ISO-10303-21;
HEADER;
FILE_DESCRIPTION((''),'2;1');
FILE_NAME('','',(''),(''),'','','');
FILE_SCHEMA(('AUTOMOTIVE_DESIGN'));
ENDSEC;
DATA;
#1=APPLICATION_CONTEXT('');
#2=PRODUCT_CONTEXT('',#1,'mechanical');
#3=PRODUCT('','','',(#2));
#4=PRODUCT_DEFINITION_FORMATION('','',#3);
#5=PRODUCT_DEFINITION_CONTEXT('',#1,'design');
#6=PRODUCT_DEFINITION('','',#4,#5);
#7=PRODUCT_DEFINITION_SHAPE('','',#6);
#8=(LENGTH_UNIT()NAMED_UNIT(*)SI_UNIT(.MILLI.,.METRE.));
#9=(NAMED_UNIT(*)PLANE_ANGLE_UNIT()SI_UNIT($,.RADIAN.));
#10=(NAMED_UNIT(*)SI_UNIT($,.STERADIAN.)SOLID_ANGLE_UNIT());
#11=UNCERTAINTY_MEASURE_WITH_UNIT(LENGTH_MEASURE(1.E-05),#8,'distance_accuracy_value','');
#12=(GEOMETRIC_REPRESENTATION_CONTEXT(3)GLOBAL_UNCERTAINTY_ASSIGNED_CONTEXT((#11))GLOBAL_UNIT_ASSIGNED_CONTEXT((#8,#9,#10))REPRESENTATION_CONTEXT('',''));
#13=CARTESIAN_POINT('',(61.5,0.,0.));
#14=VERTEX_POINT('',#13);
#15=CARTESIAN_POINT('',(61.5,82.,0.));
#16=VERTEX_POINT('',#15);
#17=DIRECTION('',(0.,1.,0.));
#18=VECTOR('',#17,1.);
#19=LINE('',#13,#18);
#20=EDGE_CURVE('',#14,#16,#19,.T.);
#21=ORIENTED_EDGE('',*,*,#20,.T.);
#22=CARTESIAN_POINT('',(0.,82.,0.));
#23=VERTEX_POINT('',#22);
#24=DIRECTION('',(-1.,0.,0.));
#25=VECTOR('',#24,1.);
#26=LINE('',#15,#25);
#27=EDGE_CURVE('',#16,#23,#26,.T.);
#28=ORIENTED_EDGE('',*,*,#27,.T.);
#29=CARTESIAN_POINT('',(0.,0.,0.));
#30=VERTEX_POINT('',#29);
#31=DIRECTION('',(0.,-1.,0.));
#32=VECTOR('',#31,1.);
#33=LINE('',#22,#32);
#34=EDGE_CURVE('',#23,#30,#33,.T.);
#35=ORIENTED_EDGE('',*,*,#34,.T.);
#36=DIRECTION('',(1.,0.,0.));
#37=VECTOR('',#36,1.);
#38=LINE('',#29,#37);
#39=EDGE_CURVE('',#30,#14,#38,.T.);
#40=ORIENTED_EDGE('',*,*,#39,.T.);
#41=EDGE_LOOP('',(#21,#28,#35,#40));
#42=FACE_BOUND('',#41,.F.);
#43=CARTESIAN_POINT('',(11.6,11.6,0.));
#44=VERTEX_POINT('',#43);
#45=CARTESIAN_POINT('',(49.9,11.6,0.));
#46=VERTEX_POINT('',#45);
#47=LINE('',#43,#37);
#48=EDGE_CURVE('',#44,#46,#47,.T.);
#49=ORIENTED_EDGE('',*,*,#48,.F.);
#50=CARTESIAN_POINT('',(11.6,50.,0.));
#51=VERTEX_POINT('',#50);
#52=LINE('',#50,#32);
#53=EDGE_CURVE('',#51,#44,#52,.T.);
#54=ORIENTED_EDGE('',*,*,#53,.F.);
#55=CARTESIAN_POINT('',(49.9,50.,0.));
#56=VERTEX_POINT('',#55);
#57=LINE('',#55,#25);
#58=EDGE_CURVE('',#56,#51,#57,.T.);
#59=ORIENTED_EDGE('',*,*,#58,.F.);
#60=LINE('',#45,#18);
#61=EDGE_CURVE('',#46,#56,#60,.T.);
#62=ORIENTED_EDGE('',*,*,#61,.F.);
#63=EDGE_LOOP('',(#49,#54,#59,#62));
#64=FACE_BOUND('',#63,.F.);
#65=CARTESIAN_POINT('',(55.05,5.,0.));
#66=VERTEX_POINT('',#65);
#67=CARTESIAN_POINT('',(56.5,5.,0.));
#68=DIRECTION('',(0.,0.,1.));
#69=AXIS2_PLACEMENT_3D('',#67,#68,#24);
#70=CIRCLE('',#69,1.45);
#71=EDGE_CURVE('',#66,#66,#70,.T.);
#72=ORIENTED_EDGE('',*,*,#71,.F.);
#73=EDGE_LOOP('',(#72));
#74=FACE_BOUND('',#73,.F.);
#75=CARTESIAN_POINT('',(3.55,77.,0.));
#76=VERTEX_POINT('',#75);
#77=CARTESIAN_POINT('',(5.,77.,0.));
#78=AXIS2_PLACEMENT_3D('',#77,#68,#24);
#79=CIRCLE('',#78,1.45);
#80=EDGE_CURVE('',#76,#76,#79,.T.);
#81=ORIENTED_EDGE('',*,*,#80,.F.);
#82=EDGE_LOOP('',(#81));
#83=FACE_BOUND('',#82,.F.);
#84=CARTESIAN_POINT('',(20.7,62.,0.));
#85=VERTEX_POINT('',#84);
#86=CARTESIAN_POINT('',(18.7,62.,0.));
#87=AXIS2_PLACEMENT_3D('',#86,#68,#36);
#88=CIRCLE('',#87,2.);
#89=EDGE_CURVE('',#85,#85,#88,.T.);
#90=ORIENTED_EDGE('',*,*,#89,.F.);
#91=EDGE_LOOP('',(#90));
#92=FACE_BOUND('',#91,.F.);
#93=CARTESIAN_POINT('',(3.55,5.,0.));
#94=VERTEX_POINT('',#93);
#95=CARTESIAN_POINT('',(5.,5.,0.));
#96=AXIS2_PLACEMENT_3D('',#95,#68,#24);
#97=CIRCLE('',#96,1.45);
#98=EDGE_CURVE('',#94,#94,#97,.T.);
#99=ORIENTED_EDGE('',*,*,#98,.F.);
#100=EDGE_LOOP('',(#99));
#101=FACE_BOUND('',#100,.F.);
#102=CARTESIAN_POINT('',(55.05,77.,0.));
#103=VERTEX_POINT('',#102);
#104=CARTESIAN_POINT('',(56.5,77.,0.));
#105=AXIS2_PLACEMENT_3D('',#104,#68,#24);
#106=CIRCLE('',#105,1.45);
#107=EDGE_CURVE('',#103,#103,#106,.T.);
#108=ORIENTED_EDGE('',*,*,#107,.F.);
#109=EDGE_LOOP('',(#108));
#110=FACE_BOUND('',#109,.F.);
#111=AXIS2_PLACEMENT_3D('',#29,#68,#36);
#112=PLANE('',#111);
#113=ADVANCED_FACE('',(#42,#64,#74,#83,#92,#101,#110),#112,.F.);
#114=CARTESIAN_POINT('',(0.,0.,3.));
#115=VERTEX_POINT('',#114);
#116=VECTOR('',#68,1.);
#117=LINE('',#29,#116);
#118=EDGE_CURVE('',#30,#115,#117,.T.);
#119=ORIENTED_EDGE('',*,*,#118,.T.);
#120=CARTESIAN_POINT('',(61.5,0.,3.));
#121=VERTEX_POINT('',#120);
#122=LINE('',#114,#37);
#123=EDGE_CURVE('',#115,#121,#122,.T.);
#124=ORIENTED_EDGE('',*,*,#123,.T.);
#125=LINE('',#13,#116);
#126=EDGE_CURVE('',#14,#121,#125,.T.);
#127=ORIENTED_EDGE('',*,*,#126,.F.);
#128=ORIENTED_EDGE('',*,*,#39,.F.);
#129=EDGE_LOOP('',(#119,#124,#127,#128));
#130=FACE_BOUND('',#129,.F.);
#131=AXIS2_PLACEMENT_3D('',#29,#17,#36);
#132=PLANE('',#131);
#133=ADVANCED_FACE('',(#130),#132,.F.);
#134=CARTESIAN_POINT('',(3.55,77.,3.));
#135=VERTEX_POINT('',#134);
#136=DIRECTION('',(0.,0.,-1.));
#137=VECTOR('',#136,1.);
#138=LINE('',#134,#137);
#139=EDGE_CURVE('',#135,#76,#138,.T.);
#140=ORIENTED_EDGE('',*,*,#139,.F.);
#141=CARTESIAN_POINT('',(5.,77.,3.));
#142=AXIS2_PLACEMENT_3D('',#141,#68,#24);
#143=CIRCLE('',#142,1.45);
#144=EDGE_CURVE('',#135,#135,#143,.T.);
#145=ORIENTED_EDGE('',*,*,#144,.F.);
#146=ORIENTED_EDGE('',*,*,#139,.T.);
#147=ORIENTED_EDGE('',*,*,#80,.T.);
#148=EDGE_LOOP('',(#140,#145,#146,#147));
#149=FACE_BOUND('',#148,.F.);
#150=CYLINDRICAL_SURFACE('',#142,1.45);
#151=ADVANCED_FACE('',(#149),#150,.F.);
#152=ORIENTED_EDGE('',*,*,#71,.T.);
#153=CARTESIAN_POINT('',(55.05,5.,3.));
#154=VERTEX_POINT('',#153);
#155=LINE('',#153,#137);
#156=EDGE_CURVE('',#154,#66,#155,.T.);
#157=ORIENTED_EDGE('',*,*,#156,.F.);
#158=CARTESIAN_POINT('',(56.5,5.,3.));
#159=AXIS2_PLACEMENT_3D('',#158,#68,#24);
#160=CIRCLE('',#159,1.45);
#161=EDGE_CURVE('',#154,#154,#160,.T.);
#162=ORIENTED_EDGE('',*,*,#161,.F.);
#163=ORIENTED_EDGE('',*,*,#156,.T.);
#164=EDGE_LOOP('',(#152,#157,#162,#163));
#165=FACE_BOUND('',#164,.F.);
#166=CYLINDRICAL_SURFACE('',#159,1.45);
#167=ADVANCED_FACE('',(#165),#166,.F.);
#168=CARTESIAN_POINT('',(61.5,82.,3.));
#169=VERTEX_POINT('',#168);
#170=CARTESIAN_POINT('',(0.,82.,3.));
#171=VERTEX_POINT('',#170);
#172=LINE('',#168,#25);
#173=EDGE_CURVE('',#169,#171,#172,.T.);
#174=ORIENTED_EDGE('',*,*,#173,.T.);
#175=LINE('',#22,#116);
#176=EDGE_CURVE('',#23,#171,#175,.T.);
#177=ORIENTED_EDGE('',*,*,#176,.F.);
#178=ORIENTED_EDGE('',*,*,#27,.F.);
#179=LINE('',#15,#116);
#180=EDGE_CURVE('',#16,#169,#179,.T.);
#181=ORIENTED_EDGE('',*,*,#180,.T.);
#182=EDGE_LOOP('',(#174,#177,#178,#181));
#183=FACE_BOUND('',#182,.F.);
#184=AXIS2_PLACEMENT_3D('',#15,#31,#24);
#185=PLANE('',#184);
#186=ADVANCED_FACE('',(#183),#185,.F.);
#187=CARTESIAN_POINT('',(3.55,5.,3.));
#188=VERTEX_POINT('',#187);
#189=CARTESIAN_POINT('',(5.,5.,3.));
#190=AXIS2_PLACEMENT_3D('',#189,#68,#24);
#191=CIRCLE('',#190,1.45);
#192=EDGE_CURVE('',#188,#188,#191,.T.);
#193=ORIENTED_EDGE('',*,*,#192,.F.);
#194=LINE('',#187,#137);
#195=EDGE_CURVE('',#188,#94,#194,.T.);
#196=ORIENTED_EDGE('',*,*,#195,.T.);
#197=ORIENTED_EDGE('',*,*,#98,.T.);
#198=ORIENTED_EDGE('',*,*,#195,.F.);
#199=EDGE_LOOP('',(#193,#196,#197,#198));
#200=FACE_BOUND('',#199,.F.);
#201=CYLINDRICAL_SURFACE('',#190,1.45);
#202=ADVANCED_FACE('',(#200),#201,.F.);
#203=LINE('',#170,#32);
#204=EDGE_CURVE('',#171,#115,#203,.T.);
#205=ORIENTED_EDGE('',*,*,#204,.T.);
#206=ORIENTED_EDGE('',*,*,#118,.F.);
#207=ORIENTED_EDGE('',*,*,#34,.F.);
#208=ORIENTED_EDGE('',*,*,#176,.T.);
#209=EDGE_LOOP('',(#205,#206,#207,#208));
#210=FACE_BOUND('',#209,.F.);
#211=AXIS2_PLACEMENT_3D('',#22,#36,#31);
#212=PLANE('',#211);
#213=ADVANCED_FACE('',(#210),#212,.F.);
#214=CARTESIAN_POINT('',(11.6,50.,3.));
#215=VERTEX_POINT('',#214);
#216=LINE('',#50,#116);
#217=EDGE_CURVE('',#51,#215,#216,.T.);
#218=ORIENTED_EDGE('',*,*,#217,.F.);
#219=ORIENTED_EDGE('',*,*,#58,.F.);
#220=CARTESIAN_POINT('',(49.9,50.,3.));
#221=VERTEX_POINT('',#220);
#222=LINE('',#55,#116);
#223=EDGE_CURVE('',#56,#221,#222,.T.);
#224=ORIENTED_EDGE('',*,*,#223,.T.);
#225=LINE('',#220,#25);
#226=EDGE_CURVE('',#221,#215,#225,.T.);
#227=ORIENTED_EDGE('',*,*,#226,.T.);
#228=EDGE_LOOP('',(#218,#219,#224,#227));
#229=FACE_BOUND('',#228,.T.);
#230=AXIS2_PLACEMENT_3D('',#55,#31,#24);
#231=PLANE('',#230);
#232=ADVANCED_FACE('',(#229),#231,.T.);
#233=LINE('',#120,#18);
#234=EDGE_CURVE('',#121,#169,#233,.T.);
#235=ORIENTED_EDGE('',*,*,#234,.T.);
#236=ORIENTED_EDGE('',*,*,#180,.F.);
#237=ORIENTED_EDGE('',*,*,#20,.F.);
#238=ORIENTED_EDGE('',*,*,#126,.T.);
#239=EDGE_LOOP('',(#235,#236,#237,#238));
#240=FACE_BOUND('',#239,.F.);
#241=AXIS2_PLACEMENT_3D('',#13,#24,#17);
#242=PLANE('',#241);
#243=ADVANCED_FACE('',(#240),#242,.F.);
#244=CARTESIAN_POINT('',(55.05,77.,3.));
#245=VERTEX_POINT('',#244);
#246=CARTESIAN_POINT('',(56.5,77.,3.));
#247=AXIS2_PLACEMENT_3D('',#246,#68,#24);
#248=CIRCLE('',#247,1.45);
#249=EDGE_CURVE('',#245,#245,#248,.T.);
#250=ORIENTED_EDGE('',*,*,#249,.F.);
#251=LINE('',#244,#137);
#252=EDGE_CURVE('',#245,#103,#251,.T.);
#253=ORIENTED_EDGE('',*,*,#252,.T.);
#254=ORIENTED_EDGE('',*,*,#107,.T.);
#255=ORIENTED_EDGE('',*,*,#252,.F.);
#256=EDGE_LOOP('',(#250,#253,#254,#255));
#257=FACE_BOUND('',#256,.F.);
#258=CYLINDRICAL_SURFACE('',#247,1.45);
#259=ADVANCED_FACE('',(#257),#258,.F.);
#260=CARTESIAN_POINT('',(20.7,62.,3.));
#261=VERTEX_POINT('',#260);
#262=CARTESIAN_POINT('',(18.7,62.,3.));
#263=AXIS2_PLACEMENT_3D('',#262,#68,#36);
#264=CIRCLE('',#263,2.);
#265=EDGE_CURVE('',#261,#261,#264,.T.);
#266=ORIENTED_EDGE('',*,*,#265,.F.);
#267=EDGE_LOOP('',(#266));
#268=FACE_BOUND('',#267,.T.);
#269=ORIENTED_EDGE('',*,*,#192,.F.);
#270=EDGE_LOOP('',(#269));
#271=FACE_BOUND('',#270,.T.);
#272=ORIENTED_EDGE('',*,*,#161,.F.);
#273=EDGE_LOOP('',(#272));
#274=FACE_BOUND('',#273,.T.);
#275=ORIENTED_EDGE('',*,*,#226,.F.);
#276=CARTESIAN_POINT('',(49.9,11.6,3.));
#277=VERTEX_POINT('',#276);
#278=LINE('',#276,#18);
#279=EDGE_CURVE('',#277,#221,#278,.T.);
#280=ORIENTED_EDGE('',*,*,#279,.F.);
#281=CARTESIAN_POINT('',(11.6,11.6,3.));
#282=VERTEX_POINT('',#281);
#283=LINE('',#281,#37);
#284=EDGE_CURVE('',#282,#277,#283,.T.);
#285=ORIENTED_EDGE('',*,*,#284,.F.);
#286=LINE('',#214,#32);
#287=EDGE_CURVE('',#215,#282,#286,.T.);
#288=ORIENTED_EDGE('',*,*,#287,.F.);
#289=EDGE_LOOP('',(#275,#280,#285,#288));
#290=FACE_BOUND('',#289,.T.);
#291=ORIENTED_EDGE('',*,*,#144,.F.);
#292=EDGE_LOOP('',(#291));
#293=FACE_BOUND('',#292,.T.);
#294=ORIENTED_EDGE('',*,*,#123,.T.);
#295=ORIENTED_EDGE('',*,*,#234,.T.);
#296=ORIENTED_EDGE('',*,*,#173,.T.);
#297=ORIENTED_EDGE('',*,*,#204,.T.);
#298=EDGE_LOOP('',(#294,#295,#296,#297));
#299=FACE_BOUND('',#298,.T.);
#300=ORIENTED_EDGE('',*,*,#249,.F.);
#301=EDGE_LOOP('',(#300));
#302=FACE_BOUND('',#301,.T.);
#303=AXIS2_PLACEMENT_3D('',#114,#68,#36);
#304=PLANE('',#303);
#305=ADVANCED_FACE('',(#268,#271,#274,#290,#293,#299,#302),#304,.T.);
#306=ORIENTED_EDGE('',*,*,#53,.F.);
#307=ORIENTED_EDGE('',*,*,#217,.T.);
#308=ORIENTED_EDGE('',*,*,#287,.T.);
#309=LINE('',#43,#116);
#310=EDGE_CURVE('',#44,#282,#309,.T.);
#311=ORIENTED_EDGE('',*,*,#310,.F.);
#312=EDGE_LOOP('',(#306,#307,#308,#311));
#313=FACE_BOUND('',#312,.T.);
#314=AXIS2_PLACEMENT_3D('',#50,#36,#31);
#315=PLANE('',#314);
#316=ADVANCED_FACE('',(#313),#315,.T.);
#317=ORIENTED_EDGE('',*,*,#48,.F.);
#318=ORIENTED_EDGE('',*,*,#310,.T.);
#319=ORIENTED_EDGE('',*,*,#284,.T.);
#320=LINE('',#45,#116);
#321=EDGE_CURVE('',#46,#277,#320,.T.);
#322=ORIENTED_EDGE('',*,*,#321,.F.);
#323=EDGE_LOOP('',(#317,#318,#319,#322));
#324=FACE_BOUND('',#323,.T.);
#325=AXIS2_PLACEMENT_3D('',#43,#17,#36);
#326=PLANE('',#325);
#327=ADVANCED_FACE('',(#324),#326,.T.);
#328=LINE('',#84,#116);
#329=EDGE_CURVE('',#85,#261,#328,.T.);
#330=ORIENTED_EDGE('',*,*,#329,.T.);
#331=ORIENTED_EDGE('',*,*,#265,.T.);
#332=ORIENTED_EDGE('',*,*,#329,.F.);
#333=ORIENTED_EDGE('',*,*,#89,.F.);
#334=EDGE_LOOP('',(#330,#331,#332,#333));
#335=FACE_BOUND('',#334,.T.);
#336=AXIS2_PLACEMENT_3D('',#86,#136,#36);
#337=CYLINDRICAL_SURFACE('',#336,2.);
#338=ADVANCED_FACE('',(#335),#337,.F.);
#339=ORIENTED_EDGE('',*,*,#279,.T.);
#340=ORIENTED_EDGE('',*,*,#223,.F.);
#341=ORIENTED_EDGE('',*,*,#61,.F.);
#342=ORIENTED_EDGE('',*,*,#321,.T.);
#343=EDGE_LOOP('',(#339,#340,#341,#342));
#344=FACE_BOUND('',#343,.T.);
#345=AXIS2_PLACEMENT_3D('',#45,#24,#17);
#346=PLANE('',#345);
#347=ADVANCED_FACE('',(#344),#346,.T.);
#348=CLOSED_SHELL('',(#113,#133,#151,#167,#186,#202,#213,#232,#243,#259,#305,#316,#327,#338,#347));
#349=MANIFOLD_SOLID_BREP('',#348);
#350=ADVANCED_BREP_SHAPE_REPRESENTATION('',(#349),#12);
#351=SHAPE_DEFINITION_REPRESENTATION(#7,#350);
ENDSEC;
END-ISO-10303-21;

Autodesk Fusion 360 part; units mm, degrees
sketch "Sketch1" plane through (0, 0, 0) normal (0, 0, 1) x (1, 0, 0)
  line L0 (0, 0) -> (61.5, 0)
  line L1 (61.5, 0) -> (61.5, 82)
  line L2 (61.5, 82) -> (0, 82)
  line L3 (0, 82) -> (0, 0)
  dimension "d1" = 82
  dimension "d2" = 61.5
extrude "Extrude1" add sketch "Sketch1" along normal blind 3
sketch "Sketch2" plane through (0, 0, 3) normal (0, 0, 1) x (-1, 0, 0)
  line L0 (0, -82) -> (0, 0)
  line L1 (0, 0) -> (-61.5, 0)
  line L2 (-61.5, 0) -> (-61.5, -82)
  line L3 (-61.5, -82) -> (0, -82)
  circle A0 centre (-5, -5) radius 1.45
  circle A1 centre (-5, -77) radius 1.45
  circle A2 centre (-56.5, -77) radius 1.45
  circle A3 centre (-56.5, -5) radius 1.45
  dimension "d5" = 2.9
  dimension "d6" = 5
  dimension "d7" = 5
  dimension "d8" = 2.9
  dimension "d9" = 5
  dimension "d10" = 5
  dimension "d11" = 2.9
  dimension "d12" = 5
  dimension "d13" = 5
  dimension "d14" = 2.9
  dimension "d15" = 5
  dimension "d16" = 5
extrude "Extrude2" cut sketch "Sketch2" against normal blind 3 contours A0 | A1 | A2 | A3
sketch "Sketch3" plane through (0, 0, 0) normal (0, 0, 1) x (1, 0, 0)
  line L0 (10, 72) -> (51.5, 72)
  line L1 (51.5, 72) -> (51.5, 10)
  line L2 (51.5, 10) -> (10, 10)
  line L3 (10, 10) -> (10, 72)
  line L4 (61.5, 82) -> (0, 82)
  line L5 (61.5, 0) -> (61.5, 82)
  line L6 (0, 0) -> (61.5, 0)
  line L7 (0, 82) -> (0, 0)
  dimension "d19" = 10
  dimension "d20" = 10
  dimension "d21" = 10
  dimension "d22" = 10
sketch "Sketch4" plane through (0, 0, 0) normal (0, 0, 1) x (1, 0, 0)
sketch "Sketch5" plane through (0, 0, 0) normal (0, 0, 1) x (1, 0, 0)
sketch "Sketch6" plane through (0, 0, 0) normal (0, 0, 1) x (1, 0, 0)
  line L0 (49.9, 50) -> (11.6, 50)
  line L1 (11.6, 50) -> (11.6, 11.6)
  line L2 (11.6, 11.6) -> (49.9, 11.6)
  line L3 (49.9, 11.6) -> (49.9, 50)
  line L4 (51.5, 72) -> (51.5, 10)
  line L5 (10, 10) -> (10, 72)
  line L6 (51.5, 10) -> (10, 10)
  line L7 (10, 72) -> (51.5, 72)
  dimension "d23" = 1.6
  dimension "d24" = 1.6
  dimension "d25" = 1.6
  dimension "d26" = 22
sketch "Sketch7" plane through (0, 0, 0) normal (0, 0, 1) x (1, 0, 0)
  circle A0 centre (18.7, 62) radius 2
  line L0 (10, 72) -> (51.5, 72)
  line L1 (10, 10) -> (10, 72)
  dimension "d30" = 4
  dimension "d31" = 10
  dimension "d32" = 8.7
extrude "Extrude3" cut sketch "Sketch6" sketch "Sketch7" along normal blind 3 contours L0 L1 L2 L3 of sketch 2
